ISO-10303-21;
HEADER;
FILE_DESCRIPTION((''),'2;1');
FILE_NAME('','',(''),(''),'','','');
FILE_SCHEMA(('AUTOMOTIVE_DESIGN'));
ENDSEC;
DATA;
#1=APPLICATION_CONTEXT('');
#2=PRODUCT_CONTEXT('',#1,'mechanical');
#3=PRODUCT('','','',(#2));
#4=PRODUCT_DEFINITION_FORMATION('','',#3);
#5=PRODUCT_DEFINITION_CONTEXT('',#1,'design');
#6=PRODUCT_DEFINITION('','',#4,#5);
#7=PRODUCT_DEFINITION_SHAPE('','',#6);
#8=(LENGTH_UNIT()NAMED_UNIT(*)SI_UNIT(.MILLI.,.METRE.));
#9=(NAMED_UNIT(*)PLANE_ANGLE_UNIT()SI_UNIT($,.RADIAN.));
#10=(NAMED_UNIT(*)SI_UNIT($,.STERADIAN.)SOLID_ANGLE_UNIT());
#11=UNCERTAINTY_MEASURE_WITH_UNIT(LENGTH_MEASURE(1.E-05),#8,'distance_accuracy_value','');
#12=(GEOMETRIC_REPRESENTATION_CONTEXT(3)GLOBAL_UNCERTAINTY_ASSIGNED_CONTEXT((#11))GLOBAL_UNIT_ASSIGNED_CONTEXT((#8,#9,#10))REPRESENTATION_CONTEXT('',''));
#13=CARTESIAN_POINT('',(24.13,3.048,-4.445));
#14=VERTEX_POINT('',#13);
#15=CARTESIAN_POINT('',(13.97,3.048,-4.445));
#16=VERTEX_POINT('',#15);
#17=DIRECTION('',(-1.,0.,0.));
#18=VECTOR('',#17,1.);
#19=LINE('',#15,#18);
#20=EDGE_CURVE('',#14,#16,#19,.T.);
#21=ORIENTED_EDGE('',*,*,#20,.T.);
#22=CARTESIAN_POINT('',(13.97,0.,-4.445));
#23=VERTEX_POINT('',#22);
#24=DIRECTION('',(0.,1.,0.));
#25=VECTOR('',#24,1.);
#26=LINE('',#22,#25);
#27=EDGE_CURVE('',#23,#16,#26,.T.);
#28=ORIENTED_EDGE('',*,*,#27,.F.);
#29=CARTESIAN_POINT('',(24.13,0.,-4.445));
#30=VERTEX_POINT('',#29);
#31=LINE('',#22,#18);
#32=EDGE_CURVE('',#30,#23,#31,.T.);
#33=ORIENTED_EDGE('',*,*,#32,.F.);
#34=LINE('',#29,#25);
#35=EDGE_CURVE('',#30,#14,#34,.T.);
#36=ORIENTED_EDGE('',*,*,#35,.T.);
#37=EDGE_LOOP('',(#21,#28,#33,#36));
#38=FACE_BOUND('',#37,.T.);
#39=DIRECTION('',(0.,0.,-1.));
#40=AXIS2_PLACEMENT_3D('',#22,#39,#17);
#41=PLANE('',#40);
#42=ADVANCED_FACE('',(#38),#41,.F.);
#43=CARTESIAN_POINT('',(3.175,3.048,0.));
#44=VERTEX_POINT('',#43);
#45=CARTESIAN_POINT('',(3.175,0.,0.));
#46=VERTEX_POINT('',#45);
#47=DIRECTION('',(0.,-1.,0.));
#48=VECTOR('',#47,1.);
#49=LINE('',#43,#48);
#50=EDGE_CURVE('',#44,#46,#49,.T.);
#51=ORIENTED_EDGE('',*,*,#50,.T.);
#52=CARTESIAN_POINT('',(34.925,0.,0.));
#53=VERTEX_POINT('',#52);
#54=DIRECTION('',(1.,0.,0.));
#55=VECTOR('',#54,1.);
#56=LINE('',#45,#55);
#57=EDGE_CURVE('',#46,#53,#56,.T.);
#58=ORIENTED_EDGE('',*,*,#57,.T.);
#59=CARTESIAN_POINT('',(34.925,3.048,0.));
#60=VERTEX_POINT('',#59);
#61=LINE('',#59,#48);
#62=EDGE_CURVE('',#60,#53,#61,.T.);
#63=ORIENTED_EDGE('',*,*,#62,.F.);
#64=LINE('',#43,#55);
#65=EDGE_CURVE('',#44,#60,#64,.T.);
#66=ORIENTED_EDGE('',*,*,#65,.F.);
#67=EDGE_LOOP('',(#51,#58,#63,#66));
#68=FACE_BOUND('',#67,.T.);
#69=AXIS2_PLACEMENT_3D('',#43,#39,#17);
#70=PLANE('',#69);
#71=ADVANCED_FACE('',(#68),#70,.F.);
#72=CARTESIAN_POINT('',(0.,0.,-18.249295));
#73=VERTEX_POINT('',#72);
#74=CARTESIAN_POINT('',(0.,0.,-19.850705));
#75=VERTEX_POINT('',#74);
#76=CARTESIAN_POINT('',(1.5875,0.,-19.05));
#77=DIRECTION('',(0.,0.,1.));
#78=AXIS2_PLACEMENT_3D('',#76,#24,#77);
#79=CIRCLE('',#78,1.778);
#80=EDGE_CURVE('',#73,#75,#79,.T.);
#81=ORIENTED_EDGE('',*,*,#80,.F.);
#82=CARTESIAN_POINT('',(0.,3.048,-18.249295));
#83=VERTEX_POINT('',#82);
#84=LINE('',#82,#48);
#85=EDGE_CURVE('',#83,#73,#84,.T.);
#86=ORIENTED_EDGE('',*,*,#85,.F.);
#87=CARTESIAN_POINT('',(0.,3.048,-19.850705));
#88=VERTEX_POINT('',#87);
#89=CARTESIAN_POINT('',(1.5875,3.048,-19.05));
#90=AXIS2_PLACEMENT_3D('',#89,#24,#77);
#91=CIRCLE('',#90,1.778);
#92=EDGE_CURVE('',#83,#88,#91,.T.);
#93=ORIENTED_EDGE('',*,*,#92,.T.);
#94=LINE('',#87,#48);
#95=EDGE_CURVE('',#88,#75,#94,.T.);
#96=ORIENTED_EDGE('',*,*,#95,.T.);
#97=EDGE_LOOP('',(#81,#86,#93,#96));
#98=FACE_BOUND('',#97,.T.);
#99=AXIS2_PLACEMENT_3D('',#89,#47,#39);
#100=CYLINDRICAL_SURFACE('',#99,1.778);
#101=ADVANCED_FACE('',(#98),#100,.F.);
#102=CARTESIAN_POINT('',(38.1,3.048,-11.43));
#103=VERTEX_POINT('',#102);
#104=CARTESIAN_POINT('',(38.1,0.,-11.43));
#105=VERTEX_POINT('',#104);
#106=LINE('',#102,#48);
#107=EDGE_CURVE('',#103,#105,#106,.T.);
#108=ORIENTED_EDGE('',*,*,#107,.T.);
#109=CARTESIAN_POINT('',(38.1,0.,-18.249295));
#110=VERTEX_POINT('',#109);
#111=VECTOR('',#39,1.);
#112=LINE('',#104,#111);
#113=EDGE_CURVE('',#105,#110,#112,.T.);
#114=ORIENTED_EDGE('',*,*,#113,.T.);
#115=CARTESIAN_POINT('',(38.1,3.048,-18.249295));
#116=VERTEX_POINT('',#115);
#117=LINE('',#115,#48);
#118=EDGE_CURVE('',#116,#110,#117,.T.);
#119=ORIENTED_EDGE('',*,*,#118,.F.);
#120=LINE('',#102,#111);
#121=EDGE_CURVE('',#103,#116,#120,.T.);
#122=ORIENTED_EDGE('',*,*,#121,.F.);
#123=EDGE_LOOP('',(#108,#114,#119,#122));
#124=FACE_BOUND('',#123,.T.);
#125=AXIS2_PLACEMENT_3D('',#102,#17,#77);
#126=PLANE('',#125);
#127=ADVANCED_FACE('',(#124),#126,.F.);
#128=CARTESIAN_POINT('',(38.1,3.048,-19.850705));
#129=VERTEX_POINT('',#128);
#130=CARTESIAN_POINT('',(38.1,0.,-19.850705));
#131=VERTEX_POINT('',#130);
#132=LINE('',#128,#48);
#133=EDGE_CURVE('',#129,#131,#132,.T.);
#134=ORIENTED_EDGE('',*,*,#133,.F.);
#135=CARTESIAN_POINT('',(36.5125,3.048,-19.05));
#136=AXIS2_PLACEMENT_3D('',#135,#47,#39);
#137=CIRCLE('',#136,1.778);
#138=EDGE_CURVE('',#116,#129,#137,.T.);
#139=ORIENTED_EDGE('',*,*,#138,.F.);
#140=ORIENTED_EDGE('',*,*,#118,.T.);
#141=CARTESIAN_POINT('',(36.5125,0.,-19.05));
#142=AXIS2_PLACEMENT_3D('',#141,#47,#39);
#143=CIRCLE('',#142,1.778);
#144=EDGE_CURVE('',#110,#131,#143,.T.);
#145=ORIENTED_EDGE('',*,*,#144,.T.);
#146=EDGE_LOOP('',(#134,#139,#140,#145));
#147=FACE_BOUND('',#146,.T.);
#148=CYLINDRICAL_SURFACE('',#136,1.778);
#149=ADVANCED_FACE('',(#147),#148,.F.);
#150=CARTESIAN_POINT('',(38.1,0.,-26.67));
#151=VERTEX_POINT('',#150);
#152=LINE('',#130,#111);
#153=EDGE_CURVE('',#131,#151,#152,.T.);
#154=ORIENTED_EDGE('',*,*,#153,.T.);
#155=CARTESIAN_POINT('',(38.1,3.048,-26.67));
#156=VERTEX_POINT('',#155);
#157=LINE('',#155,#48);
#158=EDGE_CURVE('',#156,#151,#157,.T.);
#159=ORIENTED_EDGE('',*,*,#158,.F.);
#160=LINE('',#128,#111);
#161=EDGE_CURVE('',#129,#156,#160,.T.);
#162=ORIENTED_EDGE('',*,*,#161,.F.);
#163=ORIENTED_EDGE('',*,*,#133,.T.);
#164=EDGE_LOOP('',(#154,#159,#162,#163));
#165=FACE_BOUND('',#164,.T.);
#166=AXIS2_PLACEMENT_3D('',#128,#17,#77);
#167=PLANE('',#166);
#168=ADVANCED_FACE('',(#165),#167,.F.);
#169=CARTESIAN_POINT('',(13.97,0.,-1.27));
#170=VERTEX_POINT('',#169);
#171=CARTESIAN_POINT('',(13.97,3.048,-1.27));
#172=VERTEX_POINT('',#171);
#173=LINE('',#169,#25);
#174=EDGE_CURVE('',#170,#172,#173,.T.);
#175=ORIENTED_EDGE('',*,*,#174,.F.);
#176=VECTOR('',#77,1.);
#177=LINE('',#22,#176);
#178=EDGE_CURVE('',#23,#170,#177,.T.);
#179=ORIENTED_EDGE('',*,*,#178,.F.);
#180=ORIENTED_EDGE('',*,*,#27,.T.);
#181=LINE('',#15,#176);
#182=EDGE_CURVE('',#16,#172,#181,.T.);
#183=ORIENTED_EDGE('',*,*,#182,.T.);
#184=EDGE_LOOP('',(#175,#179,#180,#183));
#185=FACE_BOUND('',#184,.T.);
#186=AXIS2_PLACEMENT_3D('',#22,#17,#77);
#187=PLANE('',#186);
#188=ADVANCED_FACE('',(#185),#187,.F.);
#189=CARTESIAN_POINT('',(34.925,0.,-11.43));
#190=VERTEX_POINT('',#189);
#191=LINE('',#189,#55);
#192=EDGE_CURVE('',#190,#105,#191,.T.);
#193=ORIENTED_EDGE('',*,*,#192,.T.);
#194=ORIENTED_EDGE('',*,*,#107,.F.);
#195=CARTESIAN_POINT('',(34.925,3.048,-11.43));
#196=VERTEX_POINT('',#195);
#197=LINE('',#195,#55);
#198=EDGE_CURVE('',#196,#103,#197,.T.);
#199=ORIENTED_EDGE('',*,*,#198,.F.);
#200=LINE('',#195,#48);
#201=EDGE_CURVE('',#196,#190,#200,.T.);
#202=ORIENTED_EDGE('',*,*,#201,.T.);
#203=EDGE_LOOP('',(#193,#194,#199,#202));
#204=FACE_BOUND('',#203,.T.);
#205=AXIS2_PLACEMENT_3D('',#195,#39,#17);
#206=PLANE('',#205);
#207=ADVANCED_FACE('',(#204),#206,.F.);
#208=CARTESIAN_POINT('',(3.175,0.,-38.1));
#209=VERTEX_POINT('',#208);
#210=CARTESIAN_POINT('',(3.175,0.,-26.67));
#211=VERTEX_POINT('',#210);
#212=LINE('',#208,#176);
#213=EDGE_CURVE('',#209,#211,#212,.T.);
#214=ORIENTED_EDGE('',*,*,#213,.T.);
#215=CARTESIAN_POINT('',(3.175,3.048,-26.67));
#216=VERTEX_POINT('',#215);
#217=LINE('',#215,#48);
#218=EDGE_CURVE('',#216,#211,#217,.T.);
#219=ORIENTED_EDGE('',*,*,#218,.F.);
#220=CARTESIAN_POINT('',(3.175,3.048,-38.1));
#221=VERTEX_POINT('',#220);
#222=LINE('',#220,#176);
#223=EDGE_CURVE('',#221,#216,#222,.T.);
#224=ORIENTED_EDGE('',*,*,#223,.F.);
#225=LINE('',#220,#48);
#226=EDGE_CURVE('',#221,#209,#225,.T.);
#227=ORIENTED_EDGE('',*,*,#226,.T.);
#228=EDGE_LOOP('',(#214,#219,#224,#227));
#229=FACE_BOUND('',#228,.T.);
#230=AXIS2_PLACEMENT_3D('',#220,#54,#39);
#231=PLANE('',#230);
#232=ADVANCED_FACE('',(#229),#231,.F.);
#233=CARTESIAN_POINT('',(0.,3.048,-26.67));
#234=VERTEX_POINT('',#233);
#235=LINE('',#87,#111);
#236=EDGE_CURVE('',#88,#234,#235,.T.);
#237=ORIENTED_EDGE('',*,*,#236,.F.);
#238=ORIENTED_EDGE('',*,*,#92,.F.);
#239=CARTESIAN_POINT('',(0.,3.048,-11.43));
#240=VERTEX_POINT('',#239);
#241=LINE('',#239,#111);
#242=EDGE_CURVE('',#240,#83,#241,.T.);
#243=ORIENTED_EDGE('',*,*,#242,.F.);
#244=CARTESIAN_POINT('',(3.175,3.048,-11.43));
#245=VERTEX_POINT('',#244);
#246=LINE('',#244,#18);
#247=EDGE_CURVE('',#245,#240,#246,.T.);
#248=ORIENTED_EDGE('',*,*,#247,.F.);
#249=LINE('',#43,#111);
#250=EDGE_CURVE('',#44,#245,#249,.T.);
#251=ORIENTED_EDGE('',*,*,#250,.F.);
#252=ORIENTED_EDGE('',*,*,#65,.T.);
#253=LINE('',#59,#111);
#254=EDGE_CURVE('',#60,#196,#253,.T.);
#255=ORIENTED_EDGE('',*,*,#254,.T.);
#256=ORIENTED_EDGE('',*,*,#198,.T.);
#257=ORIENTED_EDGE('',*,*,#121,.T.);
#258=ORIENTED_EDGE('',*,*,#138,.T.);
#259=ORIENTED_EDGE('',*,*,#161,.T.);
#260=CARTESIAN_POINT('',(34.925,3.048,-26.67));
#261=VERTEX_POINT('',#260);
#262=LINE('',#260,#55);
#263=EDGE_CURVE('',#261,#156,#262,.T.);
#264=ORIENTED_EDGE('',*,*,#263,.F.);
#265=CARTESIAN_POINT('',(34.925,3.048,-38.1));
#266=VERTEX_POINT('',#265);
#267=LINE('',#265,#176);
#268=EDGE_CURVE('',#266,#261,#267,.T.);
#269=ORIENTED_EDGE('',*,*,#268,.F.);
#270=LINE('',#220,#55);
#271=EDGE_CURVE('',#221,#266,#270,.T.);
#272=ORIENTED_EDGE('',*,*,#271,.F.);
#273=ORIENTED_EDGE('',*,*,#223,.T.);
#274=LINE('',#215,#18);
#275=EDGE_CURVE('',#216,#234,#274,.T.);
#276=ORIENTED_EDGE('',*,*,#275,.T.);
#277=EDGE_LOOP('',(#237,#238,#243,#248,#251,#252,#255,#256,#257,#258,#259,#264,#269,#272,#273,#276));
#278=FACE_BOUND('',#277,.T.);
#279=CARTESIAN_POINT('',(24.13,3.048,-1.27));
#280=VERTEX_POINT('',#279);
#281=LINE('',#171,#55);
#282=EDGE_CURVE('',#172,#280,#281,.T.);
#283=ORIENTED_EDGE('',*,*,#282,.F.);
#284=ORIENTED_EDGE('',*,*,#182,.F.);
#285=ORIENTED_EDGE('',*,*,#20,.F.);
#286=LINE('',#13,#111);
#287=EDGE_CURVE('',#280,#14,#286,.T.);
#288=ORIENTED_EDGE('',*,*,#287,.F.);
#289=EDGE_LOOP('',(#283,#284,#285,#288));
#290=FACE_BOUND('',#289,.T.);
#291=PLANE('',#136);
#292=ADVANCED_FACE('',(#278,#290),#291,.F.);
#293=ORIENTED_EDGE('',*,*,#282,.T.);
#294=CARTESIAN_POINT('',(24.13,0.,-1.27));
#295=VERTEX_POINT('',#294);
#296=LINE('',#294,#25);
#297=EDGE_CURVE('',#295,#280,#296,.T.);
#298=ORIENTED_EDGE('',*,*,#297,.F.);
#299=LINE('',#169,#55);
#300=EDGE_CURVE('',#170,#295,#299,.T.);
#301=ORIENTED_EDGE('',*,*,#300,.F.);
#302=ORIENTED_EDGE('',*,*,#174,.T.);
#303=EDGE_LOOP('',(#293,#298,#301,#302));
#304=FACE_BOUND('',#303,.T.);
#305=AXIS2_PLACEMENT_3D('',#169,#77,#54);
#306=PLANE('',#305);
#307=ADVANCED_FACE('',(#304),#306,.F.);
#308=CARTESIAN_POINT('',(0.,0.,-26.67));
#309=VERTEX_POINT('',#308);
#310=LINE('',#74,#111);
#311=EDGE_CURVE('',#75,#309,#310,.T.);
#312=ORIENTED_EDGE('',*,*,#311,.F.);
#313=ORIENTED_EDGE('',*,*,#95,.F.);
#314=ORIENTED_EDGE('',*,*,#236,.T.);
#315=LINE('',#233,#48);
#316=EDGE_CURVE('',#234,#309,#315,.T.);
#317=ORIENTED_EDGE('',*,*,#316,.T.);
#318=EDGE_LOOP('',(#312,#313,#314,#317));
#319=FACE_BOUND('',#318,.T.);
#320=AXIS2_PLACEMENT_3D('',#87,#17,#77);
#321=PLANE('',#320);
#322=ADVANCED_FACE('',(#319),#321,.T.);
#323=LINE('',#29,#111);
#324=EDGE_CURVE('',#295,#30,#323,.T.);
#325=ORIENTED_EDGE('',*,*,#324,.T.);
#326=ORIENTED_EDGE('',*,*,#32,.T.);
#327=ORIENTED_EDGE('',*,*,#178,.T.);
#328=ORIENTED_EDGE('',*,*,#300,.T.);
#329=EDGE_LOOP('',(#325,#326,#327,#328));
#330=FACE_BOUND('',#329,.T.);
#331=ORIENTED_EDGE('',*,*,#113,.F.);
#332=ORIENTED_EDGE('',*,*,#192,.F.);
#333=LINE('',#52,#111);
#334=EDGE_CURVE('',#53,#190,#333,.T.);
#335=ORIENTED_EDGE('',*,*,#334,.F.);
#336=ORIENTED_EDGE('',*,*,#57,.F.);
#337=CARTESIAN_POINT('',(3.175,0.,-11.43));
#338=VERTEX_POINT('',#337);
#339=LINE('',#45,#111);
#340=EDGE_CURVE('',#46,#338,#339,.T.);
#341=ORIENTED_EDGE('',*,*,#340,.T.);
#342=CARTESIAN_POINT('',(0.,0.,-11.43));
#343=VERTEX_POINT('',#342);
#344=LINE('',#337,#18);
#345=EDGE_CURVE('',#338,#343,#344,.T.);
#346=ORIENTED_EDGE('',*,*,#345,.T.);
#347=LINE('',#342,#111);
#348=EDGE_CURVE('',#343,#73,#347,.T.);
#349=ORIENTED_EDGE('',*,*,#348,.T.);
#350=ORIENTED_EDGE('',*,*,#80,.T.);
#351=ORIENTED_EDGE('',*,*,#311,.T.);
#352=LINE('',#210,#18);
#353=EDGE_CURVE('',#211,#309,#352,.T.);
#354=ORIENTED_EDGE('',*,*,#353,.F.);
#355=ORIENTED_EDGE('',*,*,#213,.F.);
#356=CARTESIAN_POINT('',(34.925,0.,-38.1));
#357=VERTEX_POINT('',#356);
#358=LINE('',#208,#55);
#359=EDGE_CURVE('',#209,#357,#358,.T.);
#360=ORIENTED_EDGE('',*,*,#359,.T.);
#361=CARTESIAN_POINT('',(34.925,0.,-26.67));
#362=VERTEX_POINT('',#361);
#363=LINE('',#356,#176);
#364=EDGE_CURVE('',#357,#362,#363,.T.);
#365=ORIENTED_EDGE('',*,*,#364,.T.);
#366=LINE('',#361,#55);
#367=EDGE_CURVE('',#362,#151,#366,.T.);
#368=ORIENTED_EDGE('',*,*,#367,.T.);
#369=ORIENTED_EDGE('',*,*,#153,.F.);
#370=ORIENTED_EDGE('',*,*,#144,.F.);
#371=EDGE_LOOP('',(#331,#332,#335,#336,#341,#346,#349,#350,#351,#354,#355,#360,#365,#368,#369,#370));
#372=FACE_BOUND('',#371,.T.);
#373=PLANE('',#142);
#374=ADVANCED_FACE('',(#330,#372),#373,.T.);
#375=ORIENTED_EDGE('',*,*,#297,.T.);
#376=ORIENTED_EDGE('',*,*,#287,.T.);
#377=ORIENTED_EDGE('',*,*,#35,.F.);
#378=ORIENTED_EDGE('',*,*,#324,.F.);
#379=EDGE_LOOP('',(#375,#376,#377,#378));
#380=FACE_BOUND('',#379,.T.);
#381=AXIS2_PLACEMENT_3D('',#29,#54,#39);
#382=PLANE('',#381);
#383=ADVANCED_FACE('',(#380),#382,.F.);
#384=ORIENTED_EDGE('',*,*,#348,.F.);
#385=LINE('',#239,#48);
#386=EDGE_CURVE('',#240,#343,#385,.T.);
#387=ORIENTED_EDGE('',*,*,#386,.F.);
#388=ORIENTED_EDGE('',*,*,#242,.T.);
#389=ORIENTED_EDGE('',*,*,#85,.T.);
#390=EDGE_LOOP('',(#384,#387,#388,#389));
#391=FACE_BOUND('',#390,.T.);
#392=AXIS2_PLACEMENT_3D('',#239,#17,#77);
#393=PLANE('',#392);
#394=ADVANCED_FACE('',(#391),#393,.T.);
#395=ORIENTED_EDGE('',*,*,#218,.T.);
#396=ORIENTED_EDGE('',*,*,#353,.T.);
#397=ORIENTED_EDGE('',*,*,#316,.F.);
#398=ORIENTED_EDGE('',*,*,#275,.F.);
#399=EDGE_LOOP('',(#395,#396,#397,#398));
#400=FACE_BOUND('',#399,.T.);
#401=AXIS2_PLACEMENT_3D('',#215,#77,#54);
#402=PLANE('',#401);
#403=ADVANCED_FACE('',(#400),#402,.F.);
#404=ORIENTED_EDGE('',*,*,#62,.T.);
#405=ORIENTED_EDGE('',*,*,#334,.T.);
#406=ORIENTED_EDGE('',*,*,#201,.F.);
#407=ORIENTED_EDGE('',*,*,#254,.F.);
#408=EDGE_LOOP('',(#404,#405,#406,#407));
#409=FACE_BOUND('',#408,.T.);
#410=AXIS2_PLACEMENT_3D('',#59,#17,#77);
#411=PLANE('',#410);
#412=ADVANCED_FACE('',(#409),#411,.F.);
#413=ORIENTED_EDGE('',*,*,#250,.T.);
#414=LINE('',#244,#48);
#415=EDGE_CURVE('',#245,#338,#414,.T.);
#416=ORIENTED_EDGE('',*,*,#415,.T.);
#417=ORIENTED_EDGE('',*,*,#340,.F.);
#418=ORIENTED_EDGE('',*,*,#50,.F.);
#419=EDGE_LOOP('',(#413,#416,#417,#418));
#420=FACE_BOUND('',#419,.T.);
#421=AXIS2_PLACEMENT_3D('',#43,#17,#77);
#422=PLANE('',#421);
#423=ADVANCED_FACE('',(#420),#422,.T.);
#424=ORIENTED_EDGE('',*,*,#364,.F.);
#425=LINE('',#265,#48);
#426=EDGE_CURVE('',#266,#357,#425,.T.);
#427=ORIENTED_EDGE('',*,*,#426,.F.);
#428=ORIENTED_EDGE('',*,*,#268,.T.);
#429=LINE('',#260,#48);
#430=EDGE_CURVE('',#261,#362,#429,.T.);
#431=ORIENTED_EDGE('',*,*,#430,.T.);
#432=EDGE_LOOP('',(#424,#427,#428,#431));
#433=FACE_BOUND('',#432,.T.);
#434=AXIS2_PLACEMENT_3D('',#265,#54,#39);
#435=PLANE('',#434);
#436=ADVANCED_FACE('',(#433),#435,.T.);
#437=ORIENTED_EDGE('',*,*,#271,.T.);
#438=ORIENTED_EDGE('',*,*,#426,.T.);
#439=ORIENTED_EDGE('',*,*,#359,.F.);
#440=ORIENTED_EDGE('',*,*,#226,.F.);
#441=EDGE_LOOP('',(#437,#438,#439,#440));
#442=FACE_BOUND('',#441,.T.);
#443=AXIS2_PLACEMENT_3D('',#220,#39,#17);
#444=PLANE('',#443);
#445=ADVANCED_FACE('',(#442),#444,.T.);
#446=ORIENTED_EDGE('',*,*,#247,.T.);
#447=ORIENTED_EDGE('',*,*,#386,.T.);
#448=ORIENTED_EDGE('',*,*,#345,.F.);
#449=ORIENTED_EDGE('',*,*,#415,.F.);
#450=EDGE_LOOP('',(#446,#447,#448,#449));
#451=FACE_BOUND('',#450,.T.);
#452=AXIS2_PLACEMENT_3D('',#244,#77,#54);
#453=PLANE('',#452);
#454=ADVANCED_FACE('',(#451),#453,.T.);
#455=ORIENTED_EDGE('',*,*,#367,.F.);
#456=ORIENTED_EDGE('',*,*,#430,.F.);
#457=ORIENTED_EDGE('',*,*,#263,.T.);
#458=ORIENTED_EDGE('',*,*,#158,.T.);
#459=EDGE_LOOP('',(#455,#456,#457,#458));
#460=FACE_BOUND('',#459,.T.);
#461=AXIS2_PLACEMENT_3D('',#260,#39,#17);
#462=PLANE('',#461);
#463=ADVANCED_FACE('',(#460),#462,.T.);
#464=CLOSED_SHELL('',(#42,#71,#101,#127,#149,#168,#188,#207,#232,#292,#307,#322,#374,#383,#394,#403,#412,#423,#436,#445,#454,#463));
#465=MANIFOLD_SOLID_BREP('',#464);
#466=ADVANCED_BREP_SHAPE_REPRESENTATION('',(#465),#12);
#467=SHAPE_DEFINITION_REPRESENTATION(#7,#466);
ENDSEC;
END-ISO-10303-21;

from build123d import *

# Parameters (mm, degrees)
BOSS_EXTRUDE1_DEPTH = 3.048
SKETCH2_W           = 10.16
SKETCH2_H           = 3.175
CUT_EXTRUDE1_DEPTH  = 54.967678327


with BuildPart() as part:
    # Sketch1 → Boss-Extrude1 (new body)
    with BuildSketch(Plane(origin=(0, 0, 0), x_dir=(1, 0, 0), z_dir=(0, 1, 0))):
        with BuildLine():
            Line((3.175, 38.1), (3.175, 26.67))
            Line((3.175, 26.67), (0, 26.67))
            Line((0, 26.67), (0, 19.850704534))
            ThreePointArc((0, 19.850704534), (3.3655, 19.05), (0, 18.249295466))
            Line((0, 18.249295466), (0, 11.43))
            Line((0, 11.43), (3.175, 11.43))
            Line((3.175, 11.43), (3.175, 0))
            Line((3.175, 0), (34.925, 0))
            Line((34.925, 0), (34.925, 11.43))
            Line((34.925, 11.43), (38.1, 11.43))
            Line((38.1, 11.43), (38.1, 18.249295466))
            ThreePointArc((38.1, 18.249295466), (34.7345, 19.05), (38.1, 19.850704534))
            Line((38.1, 19.850704534), (38.1, 26.67))
            Line((38.1, 26.67), (34.925, 26.67))
            Line((34.925, 26.67), (34.925, 38.1))
            Line((34.925, 38.1), (3.175, 38.1))
        make_face()
    extrude(amount=BOSS_EXTRUDE1_DEPTH)

    # Sketch2 → Cut-Extrude1 (cut, through all)
    with BuildSketch(Plane(origin=(0, 3.048, 0), x_dir=(1, 0, 0), z_dir=(0, 1, 0))):
        with Locations((19.05, 2.8575)):
            Rectangle(SKETCH2_W, SKETCH2_H)
    extrude(amount=-CUT_EXTRUDE1_DEPTH, mode=Mode.SUBTRACT)


solid = part.part
